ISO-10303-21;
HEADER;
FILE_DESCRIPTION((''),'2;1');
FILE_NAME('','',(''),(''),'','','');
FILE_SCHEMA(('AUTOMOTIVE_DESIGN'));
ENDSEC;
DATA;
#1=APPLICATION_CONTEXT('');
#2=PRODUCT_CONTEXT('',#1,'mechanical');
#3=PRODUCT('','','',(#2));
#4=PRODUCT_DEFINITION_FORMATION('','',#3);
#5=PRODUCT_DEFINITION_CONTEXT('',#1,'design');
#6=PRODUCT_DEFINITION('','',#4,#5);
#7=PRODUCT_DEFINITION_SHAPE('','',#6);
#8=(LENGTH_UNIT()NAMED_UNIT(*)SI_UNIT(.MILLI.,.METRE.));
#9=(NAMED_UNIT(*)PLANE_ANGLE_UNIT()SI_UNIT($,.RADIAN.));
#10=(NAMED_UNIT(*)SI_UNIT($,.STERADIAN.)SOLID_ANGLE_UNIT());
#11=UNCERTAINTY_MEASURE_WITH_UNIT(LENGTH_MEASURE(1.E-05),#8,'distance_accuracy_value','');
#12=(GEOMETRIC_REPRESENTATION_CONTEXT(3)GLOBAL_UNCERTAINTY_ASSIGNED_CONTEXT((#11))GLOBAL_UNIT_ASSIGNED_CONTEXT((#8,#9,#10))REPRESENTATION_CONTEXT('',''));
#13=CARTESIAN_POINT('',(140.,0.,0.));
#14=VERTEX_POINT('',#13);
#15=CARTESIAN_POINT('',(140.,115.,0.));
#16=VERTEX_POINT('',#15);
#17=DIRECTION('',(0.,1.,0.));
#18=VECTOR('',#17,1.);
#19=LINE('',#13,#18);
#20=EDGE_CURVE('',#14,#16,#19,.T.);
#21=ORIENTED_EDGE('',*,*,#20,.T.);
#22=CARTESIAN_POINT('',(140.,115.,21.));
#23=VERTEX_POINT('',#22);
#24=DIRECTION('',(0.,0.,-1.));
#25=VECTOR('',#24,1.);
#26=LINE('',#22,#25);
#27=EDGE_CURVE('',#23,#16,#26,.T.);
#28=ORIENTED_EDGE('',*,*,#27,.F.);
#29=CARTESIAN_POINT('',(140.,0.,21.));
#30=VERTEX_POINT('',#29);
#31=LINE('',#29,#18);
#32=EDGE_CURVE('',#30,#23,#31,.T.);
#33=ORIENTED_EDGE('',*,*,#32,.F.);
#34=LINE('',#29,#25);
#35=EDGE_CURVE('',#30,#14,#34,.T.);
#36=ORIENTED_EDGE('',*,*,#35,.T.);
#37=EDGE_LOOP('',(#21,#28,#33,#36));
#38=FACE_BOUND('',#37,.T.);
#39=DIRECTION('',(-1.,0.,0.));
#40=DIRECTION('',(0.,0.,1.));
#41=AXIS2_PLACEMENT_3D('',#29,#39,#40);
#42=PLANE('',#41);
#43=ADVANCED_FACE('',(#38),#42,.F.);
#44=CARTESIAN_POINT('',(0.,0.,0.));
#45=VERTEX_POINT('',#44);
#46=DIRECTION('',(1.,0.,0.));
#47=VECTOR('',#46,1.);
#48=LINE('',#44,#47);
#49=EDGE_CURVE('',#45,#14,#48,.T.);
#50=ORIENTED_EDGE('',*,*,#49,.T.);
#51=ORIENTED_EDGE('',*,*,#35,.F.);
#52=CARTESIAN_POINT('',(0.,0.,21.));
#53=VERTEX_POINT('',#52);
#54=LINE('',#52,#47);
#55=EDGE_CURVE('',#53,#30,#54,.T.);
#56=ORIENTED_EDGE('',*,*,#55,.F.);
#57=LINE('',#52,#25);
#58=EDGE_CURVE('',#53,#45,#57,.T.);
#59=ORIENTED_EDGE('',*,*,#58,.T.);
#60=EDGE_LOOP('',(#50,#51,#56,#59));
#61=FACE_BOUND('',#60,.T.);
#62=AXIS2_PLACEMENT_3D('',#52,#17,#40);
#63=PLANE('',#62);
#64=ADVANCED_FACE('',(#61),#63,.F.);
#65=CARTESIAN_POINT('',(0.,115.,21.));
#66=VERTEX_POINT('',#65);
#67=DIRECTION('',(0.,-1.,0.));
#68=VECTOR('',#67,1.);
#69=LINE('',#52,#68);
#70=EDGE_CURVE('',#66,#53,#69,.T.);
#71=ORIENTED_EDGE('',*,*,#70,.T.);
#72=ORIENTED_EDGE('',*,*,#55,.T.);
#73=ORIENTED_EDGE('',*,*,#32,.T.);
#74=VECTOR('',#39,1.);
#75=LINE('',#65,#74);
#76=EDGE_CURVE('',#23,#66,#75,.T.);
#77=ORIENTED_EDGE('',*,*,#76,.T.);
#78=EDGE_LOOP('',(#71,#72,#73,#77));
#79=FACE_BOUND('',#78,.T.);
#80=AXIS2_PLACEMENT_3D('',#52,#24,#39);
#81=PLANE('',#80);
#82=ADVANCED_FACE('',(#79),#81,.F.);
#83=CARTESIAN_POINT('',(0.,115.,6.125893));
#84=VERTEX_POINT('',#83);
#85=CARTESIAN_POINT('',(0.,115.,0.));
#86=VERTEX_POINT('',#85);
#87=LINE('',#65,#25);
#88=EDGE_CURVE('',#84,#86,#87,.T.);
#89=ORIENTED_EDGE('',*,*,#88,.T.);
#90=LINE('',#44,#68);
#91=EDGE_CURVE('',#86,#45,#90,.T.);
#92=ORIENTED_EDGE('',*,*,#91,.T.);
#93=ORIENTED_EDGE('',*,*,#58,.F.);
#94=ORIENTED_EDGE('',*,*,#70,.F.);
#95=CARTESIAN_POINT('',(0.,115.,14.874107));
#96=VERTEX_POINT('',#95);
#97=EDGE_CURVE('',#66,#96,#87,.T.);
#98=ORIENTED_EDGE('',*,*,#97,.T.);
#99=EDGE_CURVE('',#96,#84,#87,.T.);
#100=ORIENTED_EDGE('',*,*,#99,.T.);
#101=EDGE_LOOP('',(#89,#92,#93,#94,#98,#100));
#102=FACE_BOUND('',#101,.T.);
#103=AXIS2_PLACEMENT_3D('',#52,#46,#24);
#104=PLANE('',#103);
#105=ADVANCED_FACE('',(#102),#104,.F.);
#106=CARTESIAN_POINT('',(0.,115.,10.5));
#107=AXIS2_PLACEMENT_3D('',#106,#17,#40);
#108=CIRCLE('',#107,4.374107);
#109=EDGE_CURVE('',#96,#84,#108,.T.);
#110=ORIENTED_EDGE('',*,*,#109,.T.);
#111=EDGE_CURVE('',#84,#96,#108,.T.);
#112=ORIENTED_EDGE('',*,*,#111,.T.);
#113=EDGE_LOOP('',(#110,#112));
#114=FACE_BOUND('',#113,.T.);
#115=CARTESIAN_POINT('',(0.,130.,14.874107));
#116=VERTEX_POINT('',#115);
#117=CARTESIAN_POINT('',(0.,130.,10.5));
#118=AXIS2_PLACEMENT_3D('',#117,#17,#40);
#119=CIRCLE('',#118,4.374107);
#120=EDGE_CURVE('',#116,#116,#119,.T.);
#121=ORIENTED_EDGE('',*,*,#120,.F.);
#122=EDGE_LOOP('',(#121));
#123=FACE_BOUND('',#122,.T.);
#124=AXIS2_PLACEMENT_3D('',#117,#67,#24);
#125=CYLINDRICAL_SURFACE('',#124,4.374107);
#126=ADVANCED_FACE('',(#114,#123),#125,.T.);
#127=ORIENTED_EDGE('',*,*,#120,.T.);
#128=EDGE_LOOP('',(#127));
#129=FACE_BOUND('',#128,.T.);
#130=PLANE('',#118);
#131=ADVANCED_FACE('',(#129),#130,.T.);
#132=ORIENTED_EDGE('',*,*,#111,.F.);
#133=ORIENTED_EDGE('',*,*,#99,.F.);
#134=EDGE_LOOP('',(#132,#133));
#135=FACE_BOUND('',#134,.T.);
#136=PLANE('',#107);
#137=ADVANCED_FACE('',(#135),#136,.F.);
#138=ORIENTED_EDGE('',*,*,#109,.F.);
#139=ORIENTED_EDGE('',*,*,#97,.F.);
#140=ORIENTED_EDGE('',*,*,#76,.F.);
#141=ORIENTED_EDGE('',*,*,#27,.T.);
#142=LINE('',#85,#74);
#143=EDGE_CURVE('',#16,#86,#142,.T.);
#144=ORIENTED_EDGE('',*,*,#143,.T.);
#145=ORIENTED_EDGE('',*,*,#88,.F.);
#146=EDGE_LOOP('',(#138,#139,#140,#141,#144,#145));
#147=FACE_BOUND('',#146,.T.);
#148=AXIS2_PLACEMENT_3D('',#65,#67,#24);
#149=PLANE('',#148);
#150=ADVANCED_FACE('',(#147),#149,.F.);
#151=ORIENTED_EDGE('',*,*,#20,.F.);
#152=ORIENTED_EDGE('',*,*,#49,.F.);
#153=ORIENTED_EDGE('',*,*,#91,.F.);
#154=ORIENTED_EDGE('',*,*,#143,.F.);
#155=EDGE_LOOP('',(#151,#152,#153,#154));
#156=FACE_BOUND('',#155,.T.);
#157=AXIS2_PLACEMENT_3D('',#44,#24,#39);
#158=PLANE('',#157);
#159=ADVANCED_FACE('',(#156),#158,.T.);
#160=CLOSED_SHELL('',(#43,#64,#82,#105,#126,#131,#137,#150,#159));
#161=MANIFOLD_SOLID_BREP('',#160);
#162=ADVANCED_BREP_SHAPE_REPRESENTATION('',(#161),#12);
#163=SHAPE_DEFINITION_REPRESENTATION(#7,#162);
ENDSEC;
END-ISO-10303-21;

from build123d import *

# Parameters (mm, degrees)
SKETCH_1_W      = 140
SKETCH_1_H      = 115
EXTRUDE_1_DEPTH = 21
SKETCH_2_R      = 4.374107243
EXTRUDE_2_DEPTH = 15


with BuildPart() as part:
    # 草图1 → 凸台-拉伸1 (new body)
    with BuildSketch(Plane.XY):
        with Locations((70, 57.5)):
            Rectangle(SKETCH_1_W, SKETCH_1_H)
    extrude(amount=EXTRUDE_1_DEPTH)

    # 草图2 → 凸台-拉伸2 (add)
    with BuildSketch(Plane(origin=(0, 115, 0), x_dir=(1, 0, 0), z_dir=(0, 1, 0))):
        with Locations(Location((0, -10.5, 0), (0, 0, 270))):
            Circle(SKETCH_2_R)
    extrude(amount=EXTRUDE_2_DEPTH)


solid = part.part
